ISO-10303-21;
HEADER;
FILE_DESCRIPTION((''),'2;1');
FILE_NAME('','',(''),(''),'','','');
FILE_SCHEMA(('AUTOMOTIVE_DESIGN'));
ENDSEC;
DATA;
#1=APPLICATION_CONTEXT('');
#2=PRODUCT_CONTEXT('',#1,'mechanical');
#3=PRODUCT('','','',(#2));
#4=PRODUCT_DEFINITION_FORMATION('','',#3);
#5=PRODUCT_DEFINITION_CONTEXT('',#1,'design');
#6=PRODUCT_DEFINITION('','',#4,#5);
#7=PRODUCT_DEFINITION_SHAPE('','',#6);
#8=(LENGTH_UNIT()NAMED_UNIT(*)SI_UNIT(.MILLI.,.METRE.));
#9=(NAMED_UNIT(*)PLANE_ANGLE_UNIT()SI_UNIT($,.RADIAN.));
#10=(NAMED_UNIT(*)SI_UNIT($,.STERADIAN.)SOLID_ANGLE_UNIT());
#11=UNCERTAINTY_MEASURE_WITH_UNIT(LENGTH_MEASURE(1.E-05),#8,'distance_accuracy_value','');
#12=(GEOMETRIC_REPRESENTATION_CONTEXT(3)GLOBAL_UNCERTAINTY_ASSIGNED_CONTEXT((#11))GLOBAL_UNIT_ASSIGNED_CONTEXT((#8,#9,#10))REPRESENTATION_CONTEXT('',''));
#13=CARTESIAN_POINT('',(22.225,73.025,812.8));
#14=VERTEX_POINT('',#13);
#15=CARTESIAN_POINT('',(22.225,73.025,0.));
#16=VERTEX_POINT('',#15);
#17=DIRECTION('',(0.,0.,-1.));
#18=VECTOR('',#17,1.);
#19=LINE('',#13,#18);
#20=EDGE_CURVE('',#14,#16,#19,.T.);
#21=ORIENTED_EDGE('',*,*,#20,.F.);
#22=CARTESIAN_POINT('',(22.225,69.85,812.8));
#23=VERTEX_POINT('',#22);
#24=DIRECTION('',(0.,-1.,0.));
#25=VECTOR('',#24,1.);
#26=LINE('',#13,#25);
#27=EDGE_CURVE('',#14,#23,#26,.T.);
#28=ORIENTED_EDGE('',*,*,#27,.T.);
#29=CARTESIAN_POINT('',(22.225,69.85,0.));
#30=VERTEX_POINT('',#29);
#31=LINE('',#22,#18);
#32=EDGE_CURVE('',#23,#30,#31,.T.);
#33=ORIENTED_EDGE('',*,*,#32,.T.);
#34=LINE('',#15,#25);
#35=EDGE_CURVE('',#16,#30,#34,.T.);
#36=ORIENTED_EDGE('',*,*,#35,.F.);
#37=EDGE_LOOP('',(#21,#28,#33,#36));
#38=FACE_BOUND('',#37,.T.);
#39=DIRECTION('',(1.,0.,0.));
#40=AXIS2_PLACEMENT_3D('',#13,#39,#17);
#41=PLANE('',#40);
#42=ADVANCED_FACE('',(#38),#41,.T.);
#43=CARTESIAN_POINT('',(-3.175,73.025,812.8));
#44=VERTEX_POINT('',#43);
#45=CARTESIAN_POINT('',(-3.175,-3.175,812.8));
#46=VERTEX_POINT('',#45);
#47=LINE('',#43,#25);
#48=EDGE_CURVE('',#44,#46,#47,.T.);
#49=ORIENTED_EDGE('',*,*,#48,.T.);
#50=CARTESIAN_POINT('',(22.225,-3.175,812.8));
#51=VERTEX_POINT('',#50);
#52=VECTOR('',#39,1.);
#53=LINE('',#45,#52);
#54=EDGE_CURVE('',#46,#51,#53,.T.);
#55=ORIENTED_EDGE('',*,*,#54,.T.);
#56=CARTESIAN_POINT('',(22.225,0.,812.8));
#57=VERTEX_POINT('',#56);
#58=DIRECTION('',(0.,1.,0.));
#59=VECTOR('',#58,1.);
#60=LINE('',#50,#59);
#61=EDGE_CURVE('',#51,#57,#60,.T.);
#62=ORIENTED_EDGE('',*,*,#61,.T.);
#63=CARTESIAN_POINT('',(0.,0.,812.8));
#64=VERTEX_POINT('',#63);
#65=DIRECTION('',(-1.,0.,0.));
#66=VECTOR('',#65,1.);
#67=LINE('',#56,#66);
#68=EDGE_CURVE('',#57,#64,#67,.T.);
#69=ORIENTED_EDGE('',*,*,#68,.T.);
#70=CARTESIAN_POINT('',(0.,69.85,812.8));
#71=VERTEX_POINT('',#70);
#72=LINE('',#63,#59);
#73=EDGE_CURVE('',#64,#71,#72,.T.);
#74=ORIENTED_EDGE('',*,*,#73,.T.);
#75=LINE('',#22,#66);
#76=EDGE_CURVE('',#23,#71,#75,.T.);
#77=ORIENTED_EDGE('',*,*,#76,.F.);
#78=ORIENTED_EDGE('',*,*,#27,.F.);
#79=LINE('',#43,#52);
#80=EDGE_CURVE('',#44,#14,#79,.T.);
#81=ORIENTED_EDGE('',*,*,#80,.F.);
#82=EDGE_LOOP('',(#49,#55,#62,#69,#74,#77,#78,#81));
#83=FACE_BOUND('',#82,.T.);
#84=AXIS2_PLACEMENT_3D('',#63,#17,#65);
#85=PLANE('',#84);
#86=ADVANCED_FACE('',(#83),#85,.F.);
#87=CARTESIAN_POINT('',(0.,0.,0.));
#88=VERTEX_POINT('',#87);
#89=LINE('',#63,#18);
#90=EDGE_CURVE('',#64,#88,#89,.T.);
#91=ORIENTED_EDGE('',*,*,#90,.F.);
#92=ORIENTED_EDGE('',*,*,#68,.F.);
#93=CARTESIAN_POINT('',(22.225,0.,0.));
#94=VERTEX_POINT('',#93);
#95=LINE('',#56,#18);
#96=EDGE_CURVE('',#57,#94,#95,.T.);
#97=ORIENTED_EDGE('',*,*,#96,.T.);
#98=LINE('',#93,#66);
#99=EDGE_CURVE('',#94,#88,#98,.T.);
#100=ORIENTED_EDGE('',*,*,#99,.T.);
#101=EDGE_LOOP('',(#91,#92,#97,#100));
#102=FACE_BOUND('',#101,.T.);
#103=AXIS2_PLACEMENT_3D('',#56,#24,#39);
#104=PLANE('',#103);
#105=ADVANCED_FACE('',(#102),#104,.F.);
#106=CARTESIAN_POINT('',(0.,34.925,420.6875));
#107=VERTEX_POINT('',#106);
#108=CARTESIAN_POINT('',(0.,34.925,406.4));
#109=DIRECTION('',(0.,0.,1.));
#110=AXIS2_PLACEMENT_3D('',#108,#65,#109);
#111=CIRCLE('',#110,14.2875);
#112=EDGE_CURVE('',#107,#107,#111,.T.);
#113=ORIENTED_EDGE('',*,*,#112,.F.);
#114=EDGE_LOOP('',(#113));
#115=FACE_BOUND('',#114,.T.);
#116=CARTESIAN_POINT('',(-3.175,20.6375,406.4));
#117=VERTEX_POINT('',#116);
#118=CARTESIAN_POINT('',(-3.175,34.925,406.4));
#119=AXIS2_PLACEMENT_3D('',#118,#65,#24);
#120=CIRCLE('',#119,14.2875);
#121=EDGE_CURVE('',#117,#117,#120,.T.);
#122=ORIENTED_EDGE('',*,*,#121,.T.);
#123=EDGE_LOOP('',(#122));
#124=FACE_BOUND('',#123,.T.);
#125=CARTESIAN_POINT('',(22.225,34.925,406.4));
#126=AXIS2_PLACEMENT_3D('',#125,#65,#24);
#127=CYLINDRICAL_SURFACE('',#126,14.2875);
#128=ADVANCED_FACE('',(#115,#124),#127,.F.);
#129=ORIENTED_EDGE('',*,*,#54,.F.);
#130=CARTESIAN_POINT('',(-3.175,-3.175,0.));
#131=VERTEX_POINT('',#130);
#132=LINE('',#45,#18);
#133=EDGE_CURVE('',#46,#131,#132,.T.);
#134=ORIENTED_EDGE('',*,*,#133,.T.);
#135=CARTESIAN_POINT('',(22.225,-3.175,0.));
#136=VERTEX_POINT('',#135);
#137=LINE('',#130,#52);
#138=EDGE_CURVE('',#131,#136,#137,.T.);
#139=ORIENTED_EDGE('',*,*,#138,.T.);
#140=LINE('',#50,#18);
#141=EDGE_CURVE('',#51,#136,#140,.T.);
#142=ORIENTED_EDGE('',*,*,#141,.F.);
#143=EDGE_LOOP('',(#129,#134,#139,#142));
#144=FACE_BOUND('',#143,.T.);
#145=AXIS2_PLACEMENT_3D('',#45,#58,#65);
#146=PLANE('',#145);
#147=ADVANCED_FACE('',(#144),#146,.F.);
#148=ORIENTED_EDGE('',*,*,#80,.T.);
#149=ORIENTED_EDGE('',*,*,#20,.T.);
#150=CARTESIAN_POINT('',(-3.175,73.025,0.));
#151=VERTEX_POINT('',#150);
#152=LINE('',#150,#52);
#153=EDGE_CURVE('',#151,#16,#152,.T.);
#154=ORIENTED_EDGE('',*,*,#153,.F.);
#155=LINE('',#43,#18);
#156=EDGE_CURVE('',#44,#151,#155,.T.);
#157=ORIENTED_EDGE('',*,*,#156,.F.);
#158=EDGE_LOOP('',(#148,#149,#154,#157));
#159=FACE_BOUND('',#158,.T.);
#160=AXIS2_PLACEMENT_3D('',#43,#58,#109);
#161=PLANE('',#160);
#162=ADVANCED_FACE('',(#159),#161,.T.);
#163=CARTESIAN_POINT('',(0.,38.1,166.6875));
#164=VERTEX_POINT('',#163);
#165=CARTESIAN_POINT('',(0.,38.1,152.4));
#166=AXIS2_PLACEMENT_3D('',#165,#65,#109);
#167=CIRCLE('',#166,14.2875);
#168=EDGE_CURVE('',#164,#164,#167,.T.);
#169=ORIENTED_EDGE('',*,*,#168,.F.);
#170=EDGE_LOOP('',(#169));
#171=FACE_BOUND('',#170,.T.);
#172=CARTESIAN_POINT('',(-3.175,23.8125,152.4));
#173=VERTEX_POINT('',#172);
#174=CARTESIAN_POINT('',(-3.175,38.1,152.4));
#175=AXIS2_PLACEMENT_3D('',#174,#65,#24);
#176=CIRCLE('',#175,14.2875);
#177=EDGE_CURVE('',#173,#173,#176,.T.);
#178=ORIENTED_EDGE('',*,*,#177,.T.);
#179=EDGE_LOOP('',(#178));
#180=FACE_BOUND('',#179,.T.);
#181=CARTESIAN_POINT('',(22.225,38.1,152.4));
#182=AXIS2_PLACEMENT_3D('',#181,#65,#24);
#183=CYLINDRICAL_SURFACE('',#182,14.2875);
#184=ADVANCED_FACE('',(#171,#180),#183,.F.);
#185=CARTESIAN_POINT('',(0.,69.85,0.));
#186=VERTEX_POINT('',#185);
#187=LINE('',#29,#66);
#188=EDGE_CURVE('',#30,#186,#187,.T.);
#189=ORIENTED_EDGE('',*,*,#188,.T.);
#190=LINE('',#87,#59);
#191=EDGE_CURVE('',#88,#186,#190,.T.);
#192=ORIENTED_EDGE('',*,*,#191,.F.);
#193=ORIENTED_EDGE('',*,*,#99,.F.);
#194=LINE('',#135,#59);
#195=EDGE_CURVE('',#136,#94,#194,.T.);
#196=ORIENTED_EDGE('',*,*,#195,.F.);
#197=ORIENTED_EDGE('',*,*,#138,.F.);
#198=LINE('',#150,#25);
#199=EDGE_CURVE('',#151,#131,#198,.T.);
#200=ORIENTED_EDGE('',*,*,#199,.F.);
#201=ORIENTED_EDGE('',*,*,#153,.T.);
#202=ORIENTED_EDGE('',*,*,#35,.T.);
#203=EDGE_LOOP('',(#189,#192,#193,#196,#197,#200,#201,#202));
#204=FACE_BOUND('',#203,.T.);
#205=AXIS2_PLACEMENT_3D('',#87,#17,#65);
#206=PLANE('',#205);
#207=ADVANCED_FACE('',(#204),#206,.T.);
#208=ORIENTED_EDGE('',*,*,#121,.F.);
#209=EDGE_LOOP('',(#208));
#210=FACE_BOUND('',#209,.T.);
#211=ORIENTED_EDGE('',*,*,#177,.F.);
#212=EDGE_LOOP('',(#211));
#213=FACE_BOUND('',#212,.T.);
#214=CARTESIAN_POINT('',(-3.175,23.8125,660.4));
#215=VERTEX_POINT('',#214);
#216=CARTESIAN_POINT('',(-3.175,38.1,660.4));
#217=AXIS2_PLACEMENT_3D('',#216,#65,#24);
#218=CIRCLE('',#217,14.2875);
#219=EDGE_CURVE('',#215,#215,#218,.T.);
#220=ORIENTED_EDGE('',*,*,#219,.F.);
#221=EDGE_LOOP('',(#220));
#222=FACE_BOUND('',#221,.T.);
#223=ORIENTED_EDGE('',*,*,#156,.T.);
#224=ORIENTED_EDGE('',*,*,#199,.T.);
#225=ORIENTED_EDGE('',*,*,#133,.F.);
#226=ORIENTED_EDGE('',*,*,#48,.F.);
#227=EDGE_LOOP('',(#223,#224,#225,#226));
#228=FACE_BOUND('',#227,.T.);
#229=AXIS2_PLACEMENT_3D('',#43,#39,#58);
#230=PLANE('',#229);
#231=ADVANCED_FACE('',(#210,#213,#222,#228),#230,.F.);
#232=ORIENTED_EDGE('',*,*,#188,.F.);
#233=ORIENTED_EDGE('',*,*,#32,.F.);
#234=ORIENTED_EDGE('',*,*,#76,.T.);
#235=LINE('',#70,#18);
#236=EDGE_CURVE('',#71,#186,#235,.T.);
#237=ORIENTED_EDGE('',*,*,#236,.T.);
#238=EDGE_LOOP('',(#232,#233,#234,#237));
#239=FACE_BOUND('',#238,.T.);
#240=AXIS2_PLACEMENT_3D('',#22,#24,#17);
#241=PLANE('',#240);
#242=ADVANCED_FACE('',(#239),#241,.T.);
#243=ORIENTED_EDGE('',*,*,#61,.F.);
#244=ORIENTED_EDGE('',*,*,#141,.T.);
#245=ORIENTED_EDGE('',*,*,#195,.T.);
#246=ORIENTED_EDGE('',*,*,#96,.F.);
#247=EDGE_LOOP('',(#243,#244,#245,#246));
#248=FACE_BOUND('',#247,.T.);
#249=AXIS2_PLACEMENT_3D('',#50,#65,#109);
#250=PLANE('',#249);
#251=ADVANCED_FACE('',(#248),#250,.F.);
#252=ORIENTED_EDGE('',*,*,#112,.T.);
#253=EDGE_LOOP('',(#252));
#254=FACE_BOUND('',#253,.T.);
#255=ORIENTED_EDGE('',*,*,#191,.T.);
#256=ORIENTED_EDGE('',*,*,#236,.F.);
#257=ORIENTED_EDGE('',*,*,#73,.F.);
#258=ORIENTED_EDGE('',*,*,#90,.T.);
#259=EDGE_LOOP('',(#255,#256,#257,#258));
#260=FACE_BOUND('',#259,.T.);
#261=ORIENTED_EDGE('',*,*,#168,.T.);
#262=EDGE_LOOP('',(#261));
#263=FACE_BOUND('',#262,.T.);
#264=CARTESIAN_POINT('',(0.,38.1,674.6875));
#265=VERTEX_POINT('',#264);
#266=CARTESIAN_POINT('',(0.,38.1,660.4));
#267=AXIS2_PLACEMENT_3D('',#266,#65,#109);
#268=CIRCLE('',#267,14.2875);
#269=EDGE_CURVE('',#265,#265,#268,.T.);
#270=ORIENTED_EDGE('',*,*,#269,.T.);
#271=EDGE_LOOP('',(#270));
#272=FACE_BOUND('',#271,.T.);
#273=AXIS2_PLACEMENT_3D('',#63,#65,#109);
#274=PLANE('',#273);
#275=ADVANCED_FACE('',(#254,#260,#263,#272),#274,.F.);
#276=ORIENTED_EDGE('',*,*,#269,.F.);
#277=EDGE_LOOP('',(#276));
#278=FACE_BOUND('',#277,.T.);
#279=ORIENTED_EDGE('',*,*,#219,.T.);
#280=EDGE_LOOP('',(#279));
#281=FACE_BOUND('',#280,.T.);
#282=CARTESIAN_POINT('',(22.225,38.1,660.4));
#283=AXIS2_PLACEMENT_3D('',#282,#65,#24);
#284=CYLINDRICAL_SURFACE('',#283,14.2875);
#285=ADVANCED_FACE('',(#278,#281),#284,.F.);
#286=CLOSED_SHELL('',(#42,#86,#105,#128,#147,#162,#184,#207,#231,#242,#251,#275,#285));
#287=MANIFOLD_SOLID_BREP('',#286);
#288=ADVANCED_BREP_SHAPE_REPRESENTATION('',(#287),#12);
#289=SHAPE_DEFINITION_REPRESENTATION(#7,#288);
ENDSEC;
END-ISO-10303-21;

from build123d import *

# Parameters (mm, degrees)
BOSS_EXTRUDE1_DEPTH = 812.8
SKETCH2_R           = 14.2875
CUT_EXTRUDE1_DEPTH  = 817.469013879


with BuildPart() as part:
    # Sketch1 → Boss-Extrude1 (new body)
    with BuildSketch(Plane.XY):
        Polygon((0, 0), (0, 69.85), (22.225, 69.85), (22.225, 73.025), (-3.175, 73.025), (-3.175, -3.175), (22.225, -3.175), (22.225, 0), align=None)
    extrude(amount=BOSS_EXTRUDE1_DEPTH)

    # Sketch2 → Cut-Extrude1 (cut, through all)
    with BuildSketch(Plane.ZY.offset(3.175)):
        with Locations((406.4, 34.925)):
            Circle(SKETCH2_R)
        with Locations((152.4, 38.1)):
            Circle(SKETCH2_R)
        with Locations((660.4, 38.1)):
            Circle(SKETCH2_R)
    extrude(amount=-CUT_EXTRUDE1_DEPTH, mode=Mode.SUBTRACT)


solid = part.part
